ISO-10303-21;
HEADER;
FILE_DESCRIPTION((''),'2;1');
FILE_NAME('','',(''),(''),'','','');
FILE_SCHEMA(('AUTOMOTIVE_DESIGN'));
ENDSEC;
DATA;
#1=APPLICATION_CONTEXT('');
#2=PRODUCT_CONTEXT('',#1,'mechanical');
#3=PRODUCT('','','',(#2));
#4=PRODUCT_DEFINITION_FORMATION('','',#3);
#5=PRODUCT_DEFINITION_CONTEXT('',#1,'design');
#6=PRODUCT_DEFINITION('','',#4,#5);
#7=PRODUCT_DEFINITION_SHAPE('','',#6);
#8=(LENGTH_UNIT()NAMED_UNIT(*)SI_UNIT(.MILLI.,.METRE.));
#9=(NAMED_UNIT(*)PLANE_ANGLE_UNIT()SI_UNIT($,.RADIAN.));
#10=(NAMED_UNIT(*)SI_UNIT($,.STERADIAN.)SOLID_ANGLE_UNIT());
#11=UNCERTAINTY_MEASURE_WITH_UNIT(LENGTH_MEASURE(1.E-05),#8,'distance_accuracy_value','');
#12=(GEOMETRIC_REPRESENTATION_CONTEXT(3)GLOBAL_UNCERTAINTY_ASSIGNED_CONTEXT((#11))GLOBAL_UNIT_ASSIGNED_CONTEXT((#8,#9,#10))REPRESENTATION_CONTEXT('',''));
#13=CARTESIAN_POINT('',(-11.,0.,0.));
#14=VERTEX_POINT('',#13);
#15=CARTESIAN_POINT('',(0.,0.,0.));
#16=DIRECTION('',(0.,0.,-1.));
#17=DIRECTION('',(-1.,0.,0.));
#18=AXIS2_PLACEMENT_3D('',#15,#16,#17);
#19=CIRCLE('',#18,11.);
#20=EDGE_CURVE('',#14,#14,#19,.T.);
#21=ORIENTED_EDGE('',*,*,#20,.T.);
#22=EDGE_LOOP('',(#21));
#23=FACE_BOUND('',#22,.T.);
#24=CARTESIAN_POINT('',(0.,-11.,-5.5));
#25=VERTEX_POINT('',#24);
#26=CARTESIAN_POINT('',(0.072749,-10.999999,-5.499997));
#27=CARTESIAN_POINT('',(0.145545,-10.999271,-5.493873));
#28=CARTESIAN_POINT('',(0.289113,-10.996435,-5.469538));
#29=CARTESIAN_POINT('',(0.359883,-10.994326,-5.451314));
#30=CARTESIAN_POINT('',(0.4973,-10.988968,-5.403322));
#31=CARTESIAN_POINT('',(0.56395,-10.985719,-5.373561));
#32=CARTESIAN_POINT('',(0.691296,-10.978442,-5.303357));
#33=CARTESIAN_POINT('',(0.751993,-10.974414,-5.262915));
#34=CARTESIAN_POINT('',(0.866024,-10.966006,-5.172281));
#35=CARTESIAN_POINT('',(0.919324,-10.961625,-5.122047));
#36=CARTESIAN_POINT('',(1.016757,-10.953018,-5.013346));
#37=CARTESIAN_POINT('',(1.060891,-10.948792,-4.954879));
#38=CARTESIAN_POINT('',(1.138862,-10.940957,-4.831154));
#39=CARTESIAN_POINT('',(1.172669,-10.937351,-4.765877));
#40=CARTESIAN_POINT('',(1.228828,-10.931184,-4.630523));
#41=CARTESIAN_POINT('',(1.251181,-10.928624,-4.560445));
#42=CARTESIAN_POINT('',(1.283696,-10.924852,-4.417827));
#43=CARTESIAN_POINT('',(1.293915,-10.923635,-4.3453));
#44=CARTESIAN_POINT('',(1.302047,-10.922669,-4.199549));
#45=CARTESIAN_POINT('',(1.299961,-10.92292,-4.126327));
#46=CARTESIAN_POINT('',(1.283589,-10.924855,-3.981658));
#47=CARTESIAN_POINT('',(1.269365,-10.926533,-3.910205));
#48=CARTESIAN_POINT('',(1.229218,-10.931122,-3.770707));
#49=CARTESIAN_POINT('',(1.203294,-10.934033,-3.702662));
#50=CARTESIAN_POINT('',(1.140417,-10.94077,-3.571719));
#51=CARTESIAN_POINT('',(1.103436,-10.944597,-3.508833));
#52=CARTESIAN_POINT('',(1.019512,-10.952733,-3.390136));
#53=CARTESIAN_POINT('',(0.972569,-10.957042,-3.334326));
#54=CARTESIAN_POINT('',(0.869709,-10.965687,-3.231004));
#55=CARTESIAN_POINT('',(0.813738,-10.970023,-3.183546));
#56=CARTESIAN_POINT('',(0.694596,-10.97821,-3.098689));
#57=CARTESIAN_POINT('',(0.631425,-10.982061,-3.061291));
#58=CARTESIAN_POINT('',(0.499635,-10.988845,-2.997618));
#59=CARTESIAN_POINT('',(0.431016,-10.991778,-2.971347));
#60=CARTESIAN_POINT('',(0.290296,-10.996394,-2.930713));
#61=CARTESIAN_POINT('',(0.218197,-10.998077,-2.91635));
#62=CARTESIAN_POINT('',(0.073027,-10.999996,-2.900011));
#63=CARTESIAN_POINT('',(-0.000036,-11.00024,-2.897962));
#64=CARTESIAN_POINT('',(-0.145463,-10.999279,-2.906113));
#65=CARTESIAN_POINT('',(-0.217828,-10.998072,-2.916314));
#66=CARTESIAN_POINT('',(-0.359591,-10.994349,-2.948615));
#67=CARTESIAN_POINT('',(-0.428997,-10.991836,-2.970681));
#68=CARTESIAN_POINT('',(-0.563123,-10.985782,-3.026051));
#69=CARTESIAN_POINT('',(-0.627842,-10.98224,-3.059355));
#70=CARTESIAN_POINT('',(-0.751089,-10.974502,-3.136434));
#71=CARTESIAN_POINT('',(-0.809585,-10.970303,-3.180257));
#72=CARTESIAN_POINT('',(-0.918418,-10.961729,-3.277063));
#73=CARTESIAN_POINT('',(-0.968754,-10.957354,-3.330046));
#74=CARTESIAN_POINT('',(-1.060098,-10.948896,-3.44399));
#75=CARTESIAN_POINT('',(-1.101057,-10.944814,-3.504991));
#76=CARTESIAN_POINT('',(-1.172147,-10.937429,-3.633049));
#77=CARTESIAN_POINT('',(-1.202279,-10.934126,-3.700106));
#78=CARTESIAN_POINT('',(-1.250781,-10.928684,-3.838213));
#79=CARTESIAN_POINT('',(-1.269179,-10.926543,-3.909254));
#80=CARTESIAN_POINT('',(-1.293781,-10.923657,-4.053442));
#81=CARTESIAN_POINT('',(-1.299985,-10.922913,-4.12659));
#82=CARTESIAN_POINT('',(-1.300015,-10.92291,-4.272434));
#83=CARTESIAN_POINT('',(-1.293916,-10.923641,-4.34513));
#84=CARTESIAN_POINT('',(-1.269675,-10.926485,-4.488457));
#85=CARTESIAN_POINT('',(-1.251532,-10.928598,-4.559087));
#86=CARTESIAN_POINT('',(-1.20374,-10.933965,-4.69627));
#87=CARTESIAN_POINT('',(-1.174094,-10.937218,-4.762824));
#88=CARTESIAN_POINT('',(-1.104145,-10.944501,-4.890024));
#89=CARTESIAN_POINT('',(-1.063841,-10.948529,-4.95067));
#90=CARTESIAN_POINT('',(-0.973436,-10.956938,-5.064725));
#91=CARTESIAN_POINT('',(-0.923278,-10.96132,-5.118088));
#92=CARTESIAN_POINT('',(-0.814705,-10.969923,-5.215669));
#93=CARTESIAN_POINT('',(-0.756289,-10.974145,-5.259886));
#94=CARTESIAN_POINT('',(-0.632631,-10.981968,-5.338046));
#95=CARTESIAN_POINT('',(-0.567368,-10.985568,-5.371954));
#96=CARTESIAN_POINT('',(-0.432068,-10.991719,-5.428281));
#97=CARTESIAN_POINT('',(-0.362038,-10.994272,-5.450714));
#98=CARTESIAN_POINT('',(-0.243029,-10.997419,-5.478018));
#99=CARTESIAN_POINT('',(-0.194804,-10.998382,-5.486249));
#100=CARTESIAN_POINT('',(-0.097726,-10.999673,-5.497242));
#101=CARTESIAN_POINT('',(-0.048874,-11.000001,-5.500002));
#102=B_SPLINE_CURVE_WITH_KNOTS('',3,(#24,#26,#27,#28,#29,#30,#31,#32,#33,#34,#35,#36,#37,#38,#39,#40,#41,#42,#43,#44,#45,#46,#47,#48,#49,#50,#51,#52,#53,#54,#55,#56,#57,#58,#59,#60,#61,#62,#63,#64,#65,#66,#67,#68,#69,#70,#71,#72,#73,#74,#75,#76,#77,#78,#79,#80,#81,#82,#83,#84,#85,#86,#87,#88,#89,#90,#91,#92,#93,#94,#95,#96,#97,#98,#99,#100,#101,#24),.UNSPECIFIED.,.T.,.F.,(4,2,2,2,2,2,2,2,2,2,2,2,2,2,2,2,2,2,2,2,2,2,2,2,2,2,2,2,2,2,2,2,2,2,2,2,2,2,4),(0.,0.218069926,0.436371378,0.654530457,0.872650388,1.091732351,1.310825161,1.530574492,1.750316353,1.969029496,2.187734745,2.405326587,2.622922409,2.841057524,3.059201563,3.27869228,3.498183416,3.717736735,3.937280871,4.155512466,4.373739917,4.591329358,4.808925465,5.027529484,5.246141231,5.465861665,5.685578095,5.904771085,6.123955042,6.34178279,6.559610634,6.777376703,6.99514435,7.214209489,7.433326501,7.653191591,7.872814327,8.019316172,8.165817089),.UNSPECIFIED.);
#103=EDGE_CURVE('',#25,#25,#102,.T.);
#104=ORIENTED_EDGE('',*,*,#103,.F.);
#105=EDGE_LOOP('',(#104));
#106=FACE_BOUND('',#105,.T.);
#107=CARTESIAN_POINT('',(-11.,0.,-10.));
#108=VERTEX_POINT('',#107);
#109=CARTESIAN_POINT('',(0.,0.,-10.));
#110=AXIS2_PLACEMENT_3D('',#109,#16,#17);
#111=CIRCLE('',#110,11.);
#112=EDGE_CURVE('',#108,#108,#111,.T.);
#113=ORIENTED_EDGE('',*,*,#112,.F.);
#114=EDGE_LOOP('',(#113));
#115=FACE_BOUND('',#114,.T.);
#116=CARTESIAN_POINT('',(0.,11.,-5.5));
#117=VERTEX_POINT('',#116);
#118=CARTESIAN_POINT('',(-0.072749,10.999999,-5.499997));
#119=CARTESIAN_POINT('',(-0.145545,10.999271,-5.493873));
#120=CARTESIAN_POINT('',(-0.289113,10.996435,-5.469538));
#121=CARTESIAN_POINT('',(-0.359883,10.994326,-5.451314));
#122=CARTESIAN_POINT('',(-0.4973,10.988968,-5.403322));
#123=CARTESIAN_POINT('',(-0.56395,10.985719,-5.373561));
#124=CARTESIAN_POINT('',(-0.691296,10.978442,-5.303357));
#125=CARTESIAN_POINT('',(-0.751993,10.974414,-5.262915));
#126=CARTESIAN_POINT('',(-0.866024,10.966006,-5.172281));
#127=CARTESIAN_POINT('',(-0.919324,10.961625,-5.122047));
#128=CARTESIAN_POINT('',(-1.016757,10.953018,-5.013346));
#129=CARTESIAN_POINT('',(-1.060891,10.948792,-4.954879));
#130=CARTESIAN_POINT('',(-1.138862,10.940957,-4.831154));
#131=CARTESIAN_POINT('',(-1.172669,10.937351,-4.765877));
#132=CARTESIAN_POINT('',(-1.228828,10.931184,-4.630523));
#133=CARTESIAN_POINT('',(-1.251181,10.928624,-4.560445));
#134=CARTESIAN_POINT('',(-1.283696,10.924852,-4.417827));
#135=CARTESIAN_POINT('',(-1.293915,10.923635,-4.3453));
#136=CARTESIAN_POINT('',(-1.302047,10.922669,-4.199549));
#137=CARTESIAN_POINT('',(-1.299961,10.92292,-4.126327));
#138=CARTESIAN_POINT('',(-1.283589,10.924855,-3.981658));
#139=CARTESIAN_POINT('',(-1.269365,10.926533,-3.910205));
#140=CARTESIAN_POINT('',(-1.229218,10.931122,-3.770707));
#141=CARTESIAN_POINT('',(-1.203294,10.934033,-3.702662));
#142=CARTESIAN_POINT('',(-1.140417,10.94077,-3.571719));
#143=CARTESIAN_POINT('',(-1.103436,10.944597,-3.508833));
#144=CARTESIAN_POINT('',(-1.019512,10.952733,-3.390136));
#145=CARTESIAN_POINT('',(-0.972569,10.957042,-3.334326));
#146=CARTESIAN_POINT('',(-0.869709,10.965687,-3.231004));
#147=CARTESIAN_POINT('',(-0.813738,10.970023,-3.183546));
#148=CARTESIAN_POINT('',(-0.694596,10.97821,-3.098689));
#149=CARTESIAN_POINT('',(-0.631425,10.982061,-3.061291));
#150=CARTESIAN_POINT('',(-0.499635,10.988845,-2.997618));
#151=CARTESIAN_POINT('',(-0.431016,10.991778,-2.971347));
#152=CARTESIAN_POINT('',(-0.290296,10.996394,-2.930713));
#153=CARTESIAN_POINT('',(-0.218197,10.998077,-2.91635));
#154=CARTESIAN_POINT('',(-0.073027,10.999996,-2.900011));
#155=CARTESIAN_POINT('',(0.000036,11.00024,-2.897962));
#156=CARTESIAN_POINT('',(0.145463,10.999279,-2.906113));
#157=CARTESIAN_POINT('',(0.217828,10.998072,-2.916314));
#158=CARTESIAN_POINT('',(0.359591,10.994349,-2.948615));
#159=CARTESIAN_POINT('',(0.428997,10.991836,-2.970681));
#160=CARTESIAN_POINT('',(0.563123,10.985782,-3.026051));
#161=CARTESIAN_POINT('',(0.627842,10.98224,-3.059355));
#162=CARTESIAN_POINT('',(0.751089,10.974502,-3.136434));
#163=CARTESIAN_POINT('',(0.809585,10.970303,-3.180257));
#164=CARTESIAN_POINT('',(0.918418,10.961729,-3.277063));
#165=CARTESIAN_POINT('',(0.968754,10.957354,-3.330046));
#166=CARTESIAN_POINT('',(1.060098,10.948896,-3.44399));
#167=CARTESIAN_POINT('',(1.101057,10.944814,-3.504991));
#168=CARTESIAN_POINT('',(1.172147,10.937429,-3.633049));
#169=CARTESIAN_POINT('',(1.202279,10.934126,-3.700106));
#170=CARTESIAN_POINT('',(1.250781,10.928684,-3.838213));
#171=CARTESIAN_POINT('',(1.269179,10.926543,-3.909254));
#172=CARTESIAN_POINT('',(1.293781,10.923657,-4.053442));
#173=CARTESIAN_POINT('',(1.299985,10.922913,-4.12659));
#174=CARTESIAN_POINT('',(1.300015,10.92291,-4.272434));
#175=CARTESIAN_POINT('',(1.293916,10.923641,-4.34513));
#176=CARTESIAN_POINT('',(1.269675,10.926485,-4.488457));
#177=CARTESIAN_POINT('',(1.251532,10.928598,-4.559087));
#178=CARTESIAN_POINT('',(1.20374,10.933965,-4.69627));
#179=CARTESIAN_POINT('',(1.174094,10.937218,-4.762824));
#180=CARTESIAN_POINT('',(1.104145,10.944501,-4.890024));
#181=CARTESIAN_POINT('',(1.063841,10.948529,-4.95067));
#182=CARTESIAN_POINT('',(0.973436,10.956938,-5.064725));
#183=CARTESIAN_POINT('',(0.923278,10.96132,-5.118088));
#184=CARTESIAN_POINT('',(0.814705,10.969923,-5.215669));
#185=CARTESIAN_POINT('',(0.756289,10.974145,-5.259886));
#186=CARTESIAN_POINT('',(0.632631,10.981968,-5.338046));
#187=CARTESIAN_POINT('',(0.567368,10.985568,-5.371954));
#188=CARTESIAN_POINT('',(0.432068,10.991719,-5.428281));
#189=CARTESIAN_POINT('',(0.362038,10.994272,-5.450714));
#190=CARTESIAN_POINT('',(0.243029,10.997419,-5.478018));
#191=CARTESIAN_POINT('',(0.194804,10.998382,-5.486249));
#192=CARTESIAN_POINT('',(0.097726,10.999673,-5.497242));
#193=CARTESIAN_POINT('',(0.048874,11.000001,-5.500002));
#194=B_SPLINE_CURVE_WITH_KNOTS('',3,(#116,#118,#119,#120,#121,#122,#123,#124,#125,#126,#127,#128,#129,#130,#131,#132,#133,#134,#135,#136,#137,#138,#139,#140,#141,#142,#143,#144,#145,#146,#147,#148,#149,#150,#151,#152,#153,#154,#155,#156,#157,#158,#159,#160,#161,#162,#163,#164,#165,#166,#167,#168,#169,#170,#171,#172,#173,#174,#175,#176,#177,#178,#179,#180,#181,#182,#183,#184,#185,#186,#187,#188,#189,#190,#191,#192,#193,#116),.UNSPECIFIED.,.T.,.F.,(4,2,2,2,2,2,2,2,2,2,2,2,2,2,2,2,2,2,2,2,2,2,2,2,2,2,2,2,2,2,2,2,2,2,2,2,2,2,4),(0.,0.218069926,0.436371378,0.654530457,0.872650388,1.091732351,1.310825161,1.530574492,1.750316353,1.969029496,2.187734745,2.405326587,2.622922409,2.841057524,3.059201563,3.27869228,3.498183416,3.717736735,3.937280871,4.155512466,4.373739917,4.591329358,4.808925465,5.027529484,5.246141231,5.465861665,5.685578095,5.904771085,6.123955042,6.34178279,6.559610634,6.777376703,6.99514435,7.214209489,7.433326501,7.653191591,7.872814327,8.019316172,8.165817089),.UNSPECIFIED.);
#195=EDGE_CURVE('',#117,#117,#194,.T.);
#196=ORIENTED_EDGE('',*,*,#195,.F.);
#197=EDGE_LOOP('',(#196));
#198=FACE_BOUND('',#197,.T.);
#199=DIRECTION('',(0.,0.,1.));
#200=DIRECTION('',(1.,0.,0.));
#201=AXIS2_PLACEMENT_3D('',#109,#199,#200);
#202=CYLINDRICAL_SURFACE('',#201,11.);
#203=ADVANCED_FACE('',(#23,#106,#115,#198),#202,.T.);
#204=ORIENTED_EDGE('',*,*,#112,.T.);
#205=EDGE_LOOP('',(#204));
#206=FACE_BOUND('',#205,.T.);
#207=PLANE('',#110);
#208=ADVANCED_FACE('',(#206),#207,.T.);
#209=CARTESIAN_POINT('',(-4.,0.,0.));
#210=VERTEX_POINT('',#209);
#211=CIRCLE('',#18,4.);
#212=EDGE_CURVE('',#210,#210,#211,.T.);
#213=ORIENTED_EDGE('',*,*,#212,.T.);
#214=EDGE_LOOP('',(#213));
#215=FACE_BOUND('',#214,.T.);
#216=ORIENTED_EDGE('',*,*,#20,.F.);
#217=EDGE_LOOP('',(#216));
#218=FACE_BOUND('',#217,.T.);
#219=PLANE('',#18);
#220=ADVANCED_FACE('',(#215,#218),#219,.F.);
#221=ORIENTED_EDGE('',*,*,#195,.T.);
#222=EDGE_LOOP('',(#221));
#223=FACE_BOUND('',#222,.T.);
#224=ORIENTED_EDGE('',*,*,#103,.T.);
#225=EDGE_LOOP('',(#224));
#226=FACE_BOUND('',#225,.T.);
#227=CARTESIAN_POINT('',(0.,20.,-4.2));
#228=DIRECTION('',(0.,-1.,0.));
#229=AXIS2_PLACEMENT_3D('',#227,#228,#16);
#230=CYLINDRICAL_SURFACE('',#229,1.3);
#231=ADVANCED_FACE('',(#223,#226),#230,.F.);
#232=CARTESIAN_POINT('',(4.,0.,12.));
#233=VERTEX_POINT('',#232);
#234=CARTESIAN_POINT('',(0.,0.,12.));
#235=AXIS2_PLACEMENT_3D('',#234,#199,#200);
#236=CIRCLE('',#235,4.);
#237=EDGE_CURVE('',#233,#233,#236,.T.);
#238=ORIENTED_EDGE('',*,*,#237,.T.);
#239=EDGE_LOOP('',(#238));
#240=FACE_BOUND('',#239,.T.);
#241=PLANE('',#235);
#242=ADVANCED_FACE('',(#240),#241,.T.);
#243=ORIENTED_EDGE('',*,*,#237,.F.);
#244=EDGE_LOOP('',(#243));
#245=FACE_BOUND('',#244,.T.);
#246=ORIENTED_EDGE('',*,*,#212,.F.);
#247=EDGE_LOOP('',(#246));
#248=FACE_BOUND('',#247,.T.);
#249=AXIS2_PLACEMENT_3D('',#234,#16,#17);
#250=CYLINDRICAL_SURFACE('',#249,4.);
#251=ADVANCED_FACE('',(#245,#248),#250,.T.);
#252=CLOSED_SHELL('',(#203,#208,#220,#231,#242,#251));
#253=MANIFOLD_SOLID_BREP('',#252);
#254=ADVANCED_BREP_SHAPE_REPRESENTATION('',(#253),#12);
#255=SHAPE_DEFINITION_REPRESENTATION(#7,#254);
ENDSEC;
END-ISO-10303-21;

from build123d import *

# Parameters (mm, degrees)
SKETCH1_R               = 4
BOSS_EXTRUDE1_DEPTH     = 12
SKETCH2_R               = 11
BOSS_EXTRUDE2_DEPTH     = 10
CUT_EXTRUDE1_DEPTH      = 20
CUT_EXTRUDE1_DEPTH_BACK = 20
SKETCH3_R               = 1.3


with BuildPart() as part:
    # Sketch1 → Boss-Extrude1 (new body)
    with BuildSketch(Plane.XY):
        Circle(SKETCH1_R)
    extrude(amount=BOSS_EXTRUDE1_DEPTH)

    # Sketch2 → Boss-Extrude2 (add)
    with BuildSketch(Plane(origin=(0, 0, 0), x_dir=(-1, 0, 0), z_dir=(0, 0, -1))):
        Circle(SKETCH2_R)
    extrude(amount=BOSS_EXTRUDE2_DEPTH)

    # Sketch3 → Cut-Extrude1 (cut, two sides: drawn at the far end of the back side and taken through both)
    with BuildSketch(Plane(origin=(0, 0, 0), x_dir=(1, 0, 0), z_dir=(0, 1, 0)).offset(-CUT_EXTRUDE1_DEPTH_BACK)):
        with Locations((0, 4.2)):
            Circle(SKETCH3_R)
    extrude(amount=CUT_EXTRUDE1_DEPTH + CUT_EXTRUDE1_DEPTH_BACK, mode=Mode.SUBTRACT)


solid = part.part
